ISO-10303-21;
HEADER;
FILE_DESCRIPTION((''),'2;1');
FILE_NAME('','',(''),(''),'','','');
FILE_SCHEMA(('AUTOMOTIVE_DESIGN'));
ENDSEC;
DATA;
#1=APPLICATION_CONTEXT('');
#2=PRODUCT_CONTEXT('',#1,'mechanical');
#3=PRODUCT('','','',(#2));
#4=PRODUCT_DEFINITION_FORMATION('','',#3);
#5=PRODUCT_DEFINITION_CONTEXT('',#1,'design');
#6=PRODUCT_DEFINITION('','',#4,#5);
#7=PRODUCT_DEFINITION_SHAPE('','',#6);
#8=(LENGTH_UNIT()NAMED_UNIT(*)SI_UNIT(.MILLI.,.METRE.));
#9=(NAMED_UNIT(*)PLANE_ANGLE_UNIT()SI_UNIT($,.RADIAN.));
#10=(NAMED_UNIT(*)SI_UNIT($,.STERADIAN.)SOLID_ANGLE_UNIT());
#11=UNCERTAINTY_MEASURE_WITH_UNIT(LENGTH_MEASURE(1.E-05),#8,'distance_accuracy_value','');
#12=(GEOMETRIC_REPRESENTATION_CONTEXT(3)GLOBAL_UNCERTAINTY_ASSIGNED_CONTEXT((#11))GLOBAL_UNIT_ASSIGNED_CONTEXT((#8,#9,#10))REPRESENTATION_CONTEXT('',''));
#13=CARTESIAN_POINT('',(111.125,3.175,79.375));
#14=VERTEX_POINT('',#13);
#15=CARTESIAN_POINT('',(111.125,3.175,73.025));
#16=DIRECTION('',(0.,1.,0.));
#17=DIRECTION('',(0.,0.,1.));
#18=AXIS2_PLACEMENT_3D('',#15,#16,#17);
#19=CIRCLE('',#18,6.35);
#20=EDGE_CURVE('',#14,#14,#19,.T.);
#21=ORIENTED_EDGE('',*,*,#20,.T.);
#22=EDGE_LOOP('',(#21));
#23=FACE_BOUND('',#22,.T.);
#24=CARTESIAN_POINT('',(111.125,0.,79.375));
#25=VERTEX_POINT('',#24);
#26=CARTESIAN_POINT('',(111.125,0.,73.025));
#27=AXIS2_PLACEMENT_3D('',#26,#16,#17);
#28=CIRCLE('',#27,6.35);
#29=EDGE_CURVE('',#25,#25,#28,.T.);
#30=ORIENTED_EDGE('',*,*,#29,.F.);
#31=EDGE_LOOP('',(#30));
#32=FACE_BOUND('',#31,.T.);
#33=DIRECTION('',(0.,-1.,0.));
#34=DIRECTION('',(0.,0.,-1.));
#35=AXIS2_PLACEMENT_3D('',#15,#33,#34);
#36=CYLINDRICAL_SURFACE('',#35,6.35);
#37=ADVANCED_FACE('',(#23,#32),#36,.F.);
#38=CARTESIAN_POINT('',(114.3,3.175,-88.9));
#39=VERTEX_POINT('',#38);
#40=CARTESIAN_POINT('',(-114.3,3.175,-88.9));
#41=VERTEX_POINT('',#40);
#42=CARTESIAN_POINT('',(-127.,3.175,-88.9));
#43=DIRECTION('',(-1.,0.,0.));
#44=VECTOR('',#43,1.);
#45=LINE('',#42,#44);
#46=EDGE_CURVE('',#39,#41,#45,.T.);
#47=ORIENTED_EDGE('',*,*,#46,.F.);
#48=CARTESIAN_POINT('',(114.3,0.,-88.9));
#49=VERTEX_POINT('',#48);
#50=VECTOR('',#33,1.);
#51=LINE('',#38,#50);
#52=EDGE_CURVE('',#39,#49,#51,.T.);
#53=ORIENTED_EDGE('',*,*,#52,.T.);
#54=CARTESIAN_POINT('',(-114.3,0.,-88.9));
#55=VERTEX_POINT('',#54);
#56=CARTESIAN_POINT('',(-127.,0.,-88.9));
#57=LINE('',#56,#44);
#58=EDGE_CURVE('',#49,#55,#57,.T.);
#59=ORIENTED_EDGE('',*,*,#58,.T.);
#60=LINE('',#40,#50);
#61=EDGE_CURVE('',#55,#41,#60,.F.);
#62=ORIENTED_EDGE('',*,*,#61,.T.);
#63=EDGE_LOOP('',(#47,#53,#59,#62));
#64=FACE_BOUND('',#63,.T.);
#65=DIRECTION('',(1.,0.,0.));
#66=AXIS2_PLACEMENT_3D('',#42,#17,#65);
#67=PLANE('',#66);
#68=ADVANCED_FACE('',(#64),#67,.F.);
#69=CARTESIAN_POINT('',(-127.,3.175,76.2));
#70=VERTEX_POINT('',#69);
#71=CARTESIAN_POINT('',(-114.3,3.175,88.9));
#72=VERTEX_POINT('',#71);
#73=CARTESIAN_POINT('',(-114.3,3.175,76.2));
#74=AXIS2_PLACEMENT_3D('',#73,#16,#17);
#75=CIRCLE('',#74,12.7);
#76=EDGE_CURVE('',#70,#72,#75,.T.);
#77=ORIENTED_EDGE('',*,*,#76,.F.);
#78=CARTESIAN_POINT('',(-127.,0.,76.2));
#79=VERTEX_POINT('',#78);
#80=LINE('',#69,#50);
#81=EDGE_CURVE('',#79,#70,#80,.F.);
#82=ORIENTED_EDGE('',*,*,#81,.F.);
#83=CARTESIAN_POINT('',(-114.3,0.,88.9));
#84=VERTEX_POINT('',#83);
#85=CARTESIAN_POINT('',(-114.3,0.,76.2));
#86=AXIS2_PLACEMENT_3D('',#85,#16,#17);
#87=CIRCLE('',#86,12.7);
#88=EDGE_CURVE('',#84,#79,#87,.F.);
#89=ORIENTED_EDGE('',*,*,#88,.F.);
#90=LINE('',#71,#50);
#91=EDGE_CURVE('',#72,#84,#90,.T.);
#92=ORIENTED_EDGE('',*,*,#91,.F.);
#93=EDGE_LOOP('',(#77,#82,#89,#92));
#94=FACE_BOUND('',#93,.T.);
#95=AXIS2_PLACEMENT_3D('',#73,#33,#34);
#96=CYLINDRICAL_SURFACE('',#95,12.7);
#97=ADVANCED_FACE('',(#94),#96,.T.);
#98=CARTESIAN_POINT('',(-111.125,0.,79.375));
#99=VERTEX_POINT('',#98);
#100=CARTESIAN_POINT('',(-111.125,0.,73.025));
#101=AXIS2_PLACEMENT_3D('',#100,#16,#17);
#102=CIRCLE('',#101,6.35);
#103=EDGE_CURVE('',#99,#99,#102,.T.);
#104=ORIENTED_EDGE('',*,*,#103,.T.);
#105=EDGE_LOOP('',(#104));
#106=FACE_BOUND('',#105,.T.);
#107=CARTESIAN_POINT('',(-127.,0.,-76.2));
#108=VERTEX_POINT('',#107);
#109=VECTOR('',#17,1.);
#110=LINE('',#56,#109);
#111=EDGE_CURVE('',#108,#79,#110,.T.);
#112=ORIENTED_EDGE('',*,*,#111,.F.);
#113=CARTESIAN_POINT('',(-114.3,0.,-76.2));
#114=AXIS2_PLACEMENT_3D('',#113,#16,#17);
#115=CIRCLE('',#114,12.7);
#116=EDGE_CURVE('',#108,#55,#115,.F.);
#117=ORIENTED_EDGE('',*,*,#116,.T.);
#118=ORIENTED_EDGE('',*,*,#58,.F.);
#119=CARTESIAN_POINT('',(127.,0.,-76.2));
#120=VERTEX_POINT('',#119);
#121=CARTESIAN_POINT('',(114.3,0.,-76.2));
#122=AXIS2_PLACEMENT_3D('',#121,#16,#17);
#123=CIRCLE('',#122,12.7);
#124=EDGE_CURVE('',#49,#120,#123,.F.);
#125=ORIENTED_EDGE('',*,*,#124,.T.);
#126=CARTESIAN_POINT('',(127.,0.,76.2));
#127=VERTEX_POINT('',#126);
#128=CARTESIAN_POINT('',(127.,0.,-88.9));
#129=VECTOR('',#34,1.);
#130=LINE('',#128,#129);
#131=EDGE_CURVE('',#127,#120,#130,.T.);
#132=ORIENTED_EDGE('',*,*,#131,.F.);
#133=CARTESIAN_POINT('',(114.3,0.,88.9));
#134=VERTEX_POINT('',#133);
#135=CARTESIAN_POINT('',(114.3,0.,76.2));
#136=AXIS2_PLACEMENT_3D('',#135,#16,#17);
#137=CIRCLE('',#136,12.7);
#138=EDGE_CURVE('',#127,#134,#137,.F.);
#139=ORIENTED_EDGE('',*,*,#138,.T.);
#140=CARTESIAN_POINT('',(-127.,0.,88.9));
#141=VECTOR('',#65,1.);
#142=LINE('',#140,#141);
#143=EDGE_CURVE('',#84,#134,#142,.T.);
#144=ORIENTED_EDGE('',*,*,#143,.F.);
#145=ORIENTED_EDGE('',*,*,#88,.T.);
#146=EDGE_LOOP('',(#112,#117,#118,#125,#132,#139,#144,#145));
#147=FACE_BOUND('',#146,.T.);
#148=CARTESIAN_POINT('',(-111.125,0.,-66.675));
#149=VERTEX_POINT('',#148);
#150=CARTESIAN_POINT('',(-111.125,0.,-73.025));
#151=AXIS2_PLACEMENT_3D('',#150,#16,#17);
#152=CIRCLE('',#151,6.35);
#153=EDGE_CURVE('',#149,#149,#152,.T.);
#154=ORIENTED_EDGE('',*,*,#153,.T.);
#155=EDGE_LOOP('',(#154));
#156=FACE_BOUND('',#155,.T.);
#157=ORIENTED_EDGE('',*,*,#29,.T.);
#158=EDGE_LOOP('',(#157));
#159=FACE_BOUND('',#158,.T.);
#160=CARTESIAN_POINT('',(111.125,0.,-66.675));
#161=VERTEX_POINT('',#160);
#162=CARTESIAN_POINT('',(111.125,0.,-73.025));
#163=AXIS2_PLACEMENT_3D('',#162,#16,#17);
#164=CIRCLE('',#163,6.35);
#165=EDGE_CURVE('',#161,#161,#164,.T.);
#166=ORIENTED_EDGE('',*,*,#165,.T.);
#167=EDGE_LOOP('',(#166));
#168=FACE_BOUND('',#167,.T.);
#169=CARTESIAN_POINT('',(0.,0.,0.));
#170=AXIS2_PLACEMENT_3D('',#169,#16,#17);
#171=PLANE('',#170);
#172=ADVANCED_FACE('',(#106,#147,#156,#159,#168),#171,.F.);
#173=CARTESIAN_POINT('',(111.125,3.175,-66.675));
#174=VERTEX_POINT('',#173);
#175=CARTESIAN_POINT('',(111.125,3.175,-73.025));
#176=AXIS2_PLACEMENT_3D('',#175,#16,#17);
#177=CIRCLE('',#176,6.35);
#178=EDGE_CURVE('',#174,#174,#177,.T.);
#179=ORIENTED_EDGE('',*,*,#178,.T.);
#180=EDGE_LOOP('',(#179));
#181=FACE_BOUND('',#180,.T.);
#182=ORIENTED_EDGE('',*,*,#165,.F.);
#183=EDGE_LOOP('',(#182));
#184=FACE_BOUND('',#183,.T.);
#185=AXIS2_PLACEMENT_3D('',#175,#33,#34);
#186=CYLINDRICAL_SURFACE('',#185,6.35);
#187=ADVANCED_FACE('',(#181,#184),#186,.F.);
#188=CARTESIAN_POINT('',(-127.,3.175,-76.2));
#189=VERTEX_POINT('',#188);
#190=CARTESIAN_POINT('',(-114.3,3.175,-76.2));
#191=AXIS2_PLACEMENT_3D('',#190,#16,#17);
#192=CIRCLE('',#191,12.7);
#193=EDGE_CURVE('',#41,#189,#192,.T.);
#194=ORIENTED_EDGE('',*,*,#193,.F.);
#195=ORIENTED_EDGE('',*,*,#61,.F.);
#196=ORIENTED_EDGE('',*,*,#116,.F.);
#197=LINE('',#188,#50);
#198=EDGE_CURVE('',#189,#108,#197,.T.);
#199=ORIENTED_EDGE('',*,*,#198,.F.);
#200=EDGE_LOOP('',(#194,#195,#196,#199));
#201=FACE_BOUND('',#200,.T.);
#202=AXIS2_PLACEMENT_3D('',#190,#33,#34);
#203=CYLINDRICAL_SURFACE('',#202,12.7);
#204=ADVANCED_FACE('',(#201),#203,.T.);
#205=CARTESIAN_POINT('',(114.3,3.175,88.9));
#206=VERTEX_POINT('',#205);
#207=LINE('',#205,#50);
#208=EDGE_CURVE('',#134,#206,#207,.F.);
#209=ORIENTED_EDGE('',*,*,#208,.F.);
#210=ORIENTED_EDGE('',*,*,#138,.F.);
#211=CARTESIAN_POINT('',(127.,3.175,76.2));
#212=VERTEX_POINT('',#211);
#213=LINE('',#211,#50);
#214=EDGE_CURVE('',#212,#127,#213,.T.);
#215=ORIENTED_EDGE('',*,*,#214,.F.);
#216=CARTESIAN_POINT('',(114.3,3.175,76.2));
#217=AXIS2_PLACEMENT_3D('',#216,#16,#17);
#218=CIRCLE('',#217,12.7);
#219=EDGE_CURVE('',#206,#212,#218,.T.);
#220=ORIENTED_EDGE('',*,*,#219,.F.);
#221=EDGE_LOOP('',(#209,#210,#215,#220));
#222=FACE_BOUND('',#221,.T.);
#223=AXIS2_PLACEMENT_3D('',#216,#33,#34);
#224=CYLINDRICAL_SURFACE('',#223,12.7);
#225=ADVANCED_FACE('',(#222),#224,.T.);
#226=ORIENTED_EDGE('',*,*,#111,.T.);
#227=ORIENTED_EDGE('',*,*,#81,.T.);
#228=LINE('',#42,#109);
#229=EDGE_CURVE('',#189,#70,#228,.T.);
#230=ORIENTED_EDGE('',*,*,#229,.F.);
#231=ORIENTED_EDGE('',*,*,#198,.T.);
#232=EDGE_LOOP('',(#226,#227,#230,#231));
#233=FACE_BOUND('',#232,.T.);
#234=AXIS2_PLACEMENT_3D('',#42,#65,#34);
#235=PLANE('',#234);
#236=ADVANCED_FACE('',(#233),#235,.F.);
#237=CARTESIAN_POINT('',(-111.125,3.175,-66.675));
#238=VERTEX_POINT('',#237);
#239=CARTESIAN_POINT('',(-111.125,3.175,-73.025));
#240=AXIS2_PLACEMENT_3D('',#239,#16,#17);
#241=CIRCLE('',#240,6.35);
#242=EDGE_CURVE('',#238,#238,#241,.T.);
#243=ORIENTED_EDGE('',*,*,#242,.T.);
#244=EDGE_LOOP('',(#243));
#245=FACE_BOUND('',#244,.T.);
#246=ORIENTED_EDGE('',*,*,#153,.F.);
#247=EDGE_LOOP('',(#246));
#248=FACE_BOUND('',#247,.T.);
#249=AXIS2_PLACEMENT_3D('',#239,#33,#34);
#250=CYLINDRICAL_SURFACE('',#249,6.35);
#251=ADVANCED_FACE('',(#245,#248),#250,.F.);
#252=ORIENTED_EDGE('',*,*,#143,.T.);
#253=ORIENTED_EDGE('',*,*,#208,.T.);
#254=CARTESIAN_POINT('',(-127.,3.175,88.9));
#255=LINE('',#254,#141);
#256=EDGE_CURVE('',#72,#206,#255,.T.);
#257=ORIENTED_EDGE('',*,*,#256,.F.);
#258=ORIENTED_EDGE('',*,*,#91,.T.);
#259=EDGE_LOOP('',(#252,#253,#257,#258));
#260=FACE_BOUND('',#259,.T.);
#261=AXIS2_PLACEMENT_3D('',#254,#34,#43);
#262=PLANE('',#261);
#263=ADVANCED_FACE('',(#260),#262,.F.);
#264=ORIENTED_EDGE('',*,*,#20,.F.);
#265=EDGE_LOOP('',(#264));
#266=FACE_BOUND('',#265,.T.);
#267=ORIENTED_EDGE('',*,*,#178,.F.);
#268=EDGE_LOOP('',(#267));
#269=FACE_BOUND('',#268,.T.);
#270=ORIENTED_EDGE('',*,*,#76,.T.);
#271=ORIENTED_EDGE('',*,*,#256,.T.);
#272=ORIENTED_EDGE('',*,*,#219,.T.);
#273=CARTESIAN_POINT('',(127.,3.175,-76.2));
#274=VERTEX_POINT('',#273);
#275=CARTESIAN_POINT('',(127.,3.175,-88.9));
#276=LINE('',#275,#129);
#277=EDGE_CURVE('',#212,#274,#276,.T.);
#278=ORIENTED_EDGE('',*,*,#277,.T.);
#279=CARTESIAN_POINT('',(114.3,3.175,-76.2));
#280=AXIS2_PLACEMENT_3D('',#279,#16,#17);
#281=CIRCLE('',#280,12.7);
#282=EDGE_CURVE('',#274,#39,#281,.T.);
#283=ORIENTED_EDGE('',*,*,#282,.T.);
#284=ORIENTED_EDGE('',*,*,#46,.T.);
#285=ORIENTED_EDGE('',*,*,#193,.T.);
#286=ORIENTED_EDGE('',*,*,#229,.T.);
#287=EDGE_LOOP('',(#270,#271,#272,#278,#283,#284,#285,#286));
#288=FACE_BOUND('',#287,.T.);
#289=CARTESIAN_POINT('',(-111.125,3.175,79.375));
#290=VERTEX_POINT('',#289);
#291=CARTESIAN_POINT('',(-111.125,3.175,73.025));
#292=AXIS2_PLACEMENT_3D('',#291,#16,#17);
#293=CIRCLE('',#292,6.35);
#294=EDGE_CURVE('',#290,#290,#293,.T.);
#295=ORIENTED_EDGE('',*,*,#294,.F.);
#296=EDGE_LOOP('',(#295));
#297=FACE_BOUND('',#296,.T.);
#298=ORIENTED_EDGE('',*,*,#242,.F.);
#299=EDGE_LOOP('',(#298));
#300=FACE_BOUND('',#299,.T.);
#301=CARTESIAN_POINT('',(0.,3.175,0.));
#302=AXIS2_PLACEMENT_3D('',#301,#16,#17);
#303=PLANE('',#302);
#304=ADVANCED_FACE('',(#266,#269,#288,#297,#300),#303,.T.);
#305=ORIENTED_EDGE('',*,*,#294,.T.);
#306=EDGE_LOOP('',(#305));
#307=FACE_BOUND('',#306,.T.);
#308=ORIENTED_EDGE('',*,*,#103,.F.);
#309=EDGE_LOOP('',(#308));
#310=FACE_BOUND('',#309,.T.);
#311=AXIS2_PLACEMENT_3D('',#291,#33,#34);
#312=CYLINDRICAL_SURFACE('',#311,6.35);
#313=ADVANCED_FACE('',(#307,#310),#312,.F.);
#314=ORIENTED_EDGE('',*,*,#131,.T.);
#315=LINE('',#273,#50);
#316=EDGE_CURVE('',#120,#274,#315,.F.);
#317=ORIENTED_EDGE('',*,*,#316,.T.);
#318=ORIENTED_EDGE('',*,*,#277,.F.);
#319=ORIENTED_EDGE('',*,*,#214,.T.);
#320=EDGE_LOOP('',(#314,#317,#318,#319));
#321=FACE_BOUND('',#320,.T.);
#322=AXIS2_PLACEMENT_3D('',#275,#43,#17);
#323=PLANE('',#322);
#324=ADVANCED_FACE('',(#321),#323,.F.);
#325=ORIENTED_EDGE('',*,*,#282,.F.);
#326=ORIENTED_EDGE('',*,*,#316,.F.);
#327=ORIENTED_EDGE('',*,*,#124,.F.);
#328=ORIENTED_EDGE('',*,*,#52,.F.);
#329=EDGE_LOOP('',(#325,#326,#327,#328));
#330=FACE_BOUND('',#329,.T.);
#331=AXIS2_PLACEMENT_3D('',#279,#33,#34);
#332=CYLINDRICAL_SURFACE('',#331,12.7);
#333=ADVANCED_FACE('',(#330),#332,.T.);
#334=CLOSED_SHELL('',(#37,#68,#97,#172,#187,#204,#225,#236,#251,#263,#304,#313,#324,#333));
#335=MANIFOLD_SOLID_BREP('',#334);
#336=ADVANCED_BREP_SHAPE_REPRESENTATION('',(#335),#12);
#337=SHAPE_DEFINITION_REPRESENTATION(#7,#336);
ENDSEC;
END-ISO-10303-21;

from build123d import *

# Parameters (mm, degrees)
SKETCH1_W           = 254
SKETCH1_H           = 177.8
SKETCH1_R           = 6.35
BOSS_EXTRUDE1_DEPTH = 3.175
FILLET1_R           = 12.7


with BuildPart() as part:
    # Sketch1 → Boss-Extrude1 (new body)
    with BuildSketch(Plane(origin=(0, 0, 0), x_dir=(1, 0, 0), z_dir=(0, 1, 0))):
        Rectangle(SKETCH1_W, SKETCH1_H)
        with Locations(Location((-111.125, -73.025, 0), (0, 0, 270))):
            Circle(SKETCH1_R, mode=Mode.SUBTRACT)
        with Locations(Location((-111.125, 73.025, 0), (0, 0, 270))):
            Circle(SKETCH1_R, mode=Mode.SUBTRACT)
        with Locations(Location((111.125, 73.025, 0), (0, 0, 270))):
            Circle(SKETCH1_R, mode=Mode.SUBTRACT)
        with Locations(Location((111.125, -73.025, 0), (0, 0, 270))):
            Circle(SKETCH1_R, mode=Mode.SUBTRACT)
    extrude(amount=BOSS_EXTRUDE1_DEPTH)

    # Fillet1
    fillet1_edges = [part.edges().sort_by_distance(p)[0] for p in [
        (-127, 1.5875, -88.9),
        (127, 1.5875, -88.9),
        (127, 1.5875, 88.9),
        (-127, 1.5875, 88.9),
    ]]
    fillet(fillet1_edges, radius=FILLET1_R)


solid = part.part
